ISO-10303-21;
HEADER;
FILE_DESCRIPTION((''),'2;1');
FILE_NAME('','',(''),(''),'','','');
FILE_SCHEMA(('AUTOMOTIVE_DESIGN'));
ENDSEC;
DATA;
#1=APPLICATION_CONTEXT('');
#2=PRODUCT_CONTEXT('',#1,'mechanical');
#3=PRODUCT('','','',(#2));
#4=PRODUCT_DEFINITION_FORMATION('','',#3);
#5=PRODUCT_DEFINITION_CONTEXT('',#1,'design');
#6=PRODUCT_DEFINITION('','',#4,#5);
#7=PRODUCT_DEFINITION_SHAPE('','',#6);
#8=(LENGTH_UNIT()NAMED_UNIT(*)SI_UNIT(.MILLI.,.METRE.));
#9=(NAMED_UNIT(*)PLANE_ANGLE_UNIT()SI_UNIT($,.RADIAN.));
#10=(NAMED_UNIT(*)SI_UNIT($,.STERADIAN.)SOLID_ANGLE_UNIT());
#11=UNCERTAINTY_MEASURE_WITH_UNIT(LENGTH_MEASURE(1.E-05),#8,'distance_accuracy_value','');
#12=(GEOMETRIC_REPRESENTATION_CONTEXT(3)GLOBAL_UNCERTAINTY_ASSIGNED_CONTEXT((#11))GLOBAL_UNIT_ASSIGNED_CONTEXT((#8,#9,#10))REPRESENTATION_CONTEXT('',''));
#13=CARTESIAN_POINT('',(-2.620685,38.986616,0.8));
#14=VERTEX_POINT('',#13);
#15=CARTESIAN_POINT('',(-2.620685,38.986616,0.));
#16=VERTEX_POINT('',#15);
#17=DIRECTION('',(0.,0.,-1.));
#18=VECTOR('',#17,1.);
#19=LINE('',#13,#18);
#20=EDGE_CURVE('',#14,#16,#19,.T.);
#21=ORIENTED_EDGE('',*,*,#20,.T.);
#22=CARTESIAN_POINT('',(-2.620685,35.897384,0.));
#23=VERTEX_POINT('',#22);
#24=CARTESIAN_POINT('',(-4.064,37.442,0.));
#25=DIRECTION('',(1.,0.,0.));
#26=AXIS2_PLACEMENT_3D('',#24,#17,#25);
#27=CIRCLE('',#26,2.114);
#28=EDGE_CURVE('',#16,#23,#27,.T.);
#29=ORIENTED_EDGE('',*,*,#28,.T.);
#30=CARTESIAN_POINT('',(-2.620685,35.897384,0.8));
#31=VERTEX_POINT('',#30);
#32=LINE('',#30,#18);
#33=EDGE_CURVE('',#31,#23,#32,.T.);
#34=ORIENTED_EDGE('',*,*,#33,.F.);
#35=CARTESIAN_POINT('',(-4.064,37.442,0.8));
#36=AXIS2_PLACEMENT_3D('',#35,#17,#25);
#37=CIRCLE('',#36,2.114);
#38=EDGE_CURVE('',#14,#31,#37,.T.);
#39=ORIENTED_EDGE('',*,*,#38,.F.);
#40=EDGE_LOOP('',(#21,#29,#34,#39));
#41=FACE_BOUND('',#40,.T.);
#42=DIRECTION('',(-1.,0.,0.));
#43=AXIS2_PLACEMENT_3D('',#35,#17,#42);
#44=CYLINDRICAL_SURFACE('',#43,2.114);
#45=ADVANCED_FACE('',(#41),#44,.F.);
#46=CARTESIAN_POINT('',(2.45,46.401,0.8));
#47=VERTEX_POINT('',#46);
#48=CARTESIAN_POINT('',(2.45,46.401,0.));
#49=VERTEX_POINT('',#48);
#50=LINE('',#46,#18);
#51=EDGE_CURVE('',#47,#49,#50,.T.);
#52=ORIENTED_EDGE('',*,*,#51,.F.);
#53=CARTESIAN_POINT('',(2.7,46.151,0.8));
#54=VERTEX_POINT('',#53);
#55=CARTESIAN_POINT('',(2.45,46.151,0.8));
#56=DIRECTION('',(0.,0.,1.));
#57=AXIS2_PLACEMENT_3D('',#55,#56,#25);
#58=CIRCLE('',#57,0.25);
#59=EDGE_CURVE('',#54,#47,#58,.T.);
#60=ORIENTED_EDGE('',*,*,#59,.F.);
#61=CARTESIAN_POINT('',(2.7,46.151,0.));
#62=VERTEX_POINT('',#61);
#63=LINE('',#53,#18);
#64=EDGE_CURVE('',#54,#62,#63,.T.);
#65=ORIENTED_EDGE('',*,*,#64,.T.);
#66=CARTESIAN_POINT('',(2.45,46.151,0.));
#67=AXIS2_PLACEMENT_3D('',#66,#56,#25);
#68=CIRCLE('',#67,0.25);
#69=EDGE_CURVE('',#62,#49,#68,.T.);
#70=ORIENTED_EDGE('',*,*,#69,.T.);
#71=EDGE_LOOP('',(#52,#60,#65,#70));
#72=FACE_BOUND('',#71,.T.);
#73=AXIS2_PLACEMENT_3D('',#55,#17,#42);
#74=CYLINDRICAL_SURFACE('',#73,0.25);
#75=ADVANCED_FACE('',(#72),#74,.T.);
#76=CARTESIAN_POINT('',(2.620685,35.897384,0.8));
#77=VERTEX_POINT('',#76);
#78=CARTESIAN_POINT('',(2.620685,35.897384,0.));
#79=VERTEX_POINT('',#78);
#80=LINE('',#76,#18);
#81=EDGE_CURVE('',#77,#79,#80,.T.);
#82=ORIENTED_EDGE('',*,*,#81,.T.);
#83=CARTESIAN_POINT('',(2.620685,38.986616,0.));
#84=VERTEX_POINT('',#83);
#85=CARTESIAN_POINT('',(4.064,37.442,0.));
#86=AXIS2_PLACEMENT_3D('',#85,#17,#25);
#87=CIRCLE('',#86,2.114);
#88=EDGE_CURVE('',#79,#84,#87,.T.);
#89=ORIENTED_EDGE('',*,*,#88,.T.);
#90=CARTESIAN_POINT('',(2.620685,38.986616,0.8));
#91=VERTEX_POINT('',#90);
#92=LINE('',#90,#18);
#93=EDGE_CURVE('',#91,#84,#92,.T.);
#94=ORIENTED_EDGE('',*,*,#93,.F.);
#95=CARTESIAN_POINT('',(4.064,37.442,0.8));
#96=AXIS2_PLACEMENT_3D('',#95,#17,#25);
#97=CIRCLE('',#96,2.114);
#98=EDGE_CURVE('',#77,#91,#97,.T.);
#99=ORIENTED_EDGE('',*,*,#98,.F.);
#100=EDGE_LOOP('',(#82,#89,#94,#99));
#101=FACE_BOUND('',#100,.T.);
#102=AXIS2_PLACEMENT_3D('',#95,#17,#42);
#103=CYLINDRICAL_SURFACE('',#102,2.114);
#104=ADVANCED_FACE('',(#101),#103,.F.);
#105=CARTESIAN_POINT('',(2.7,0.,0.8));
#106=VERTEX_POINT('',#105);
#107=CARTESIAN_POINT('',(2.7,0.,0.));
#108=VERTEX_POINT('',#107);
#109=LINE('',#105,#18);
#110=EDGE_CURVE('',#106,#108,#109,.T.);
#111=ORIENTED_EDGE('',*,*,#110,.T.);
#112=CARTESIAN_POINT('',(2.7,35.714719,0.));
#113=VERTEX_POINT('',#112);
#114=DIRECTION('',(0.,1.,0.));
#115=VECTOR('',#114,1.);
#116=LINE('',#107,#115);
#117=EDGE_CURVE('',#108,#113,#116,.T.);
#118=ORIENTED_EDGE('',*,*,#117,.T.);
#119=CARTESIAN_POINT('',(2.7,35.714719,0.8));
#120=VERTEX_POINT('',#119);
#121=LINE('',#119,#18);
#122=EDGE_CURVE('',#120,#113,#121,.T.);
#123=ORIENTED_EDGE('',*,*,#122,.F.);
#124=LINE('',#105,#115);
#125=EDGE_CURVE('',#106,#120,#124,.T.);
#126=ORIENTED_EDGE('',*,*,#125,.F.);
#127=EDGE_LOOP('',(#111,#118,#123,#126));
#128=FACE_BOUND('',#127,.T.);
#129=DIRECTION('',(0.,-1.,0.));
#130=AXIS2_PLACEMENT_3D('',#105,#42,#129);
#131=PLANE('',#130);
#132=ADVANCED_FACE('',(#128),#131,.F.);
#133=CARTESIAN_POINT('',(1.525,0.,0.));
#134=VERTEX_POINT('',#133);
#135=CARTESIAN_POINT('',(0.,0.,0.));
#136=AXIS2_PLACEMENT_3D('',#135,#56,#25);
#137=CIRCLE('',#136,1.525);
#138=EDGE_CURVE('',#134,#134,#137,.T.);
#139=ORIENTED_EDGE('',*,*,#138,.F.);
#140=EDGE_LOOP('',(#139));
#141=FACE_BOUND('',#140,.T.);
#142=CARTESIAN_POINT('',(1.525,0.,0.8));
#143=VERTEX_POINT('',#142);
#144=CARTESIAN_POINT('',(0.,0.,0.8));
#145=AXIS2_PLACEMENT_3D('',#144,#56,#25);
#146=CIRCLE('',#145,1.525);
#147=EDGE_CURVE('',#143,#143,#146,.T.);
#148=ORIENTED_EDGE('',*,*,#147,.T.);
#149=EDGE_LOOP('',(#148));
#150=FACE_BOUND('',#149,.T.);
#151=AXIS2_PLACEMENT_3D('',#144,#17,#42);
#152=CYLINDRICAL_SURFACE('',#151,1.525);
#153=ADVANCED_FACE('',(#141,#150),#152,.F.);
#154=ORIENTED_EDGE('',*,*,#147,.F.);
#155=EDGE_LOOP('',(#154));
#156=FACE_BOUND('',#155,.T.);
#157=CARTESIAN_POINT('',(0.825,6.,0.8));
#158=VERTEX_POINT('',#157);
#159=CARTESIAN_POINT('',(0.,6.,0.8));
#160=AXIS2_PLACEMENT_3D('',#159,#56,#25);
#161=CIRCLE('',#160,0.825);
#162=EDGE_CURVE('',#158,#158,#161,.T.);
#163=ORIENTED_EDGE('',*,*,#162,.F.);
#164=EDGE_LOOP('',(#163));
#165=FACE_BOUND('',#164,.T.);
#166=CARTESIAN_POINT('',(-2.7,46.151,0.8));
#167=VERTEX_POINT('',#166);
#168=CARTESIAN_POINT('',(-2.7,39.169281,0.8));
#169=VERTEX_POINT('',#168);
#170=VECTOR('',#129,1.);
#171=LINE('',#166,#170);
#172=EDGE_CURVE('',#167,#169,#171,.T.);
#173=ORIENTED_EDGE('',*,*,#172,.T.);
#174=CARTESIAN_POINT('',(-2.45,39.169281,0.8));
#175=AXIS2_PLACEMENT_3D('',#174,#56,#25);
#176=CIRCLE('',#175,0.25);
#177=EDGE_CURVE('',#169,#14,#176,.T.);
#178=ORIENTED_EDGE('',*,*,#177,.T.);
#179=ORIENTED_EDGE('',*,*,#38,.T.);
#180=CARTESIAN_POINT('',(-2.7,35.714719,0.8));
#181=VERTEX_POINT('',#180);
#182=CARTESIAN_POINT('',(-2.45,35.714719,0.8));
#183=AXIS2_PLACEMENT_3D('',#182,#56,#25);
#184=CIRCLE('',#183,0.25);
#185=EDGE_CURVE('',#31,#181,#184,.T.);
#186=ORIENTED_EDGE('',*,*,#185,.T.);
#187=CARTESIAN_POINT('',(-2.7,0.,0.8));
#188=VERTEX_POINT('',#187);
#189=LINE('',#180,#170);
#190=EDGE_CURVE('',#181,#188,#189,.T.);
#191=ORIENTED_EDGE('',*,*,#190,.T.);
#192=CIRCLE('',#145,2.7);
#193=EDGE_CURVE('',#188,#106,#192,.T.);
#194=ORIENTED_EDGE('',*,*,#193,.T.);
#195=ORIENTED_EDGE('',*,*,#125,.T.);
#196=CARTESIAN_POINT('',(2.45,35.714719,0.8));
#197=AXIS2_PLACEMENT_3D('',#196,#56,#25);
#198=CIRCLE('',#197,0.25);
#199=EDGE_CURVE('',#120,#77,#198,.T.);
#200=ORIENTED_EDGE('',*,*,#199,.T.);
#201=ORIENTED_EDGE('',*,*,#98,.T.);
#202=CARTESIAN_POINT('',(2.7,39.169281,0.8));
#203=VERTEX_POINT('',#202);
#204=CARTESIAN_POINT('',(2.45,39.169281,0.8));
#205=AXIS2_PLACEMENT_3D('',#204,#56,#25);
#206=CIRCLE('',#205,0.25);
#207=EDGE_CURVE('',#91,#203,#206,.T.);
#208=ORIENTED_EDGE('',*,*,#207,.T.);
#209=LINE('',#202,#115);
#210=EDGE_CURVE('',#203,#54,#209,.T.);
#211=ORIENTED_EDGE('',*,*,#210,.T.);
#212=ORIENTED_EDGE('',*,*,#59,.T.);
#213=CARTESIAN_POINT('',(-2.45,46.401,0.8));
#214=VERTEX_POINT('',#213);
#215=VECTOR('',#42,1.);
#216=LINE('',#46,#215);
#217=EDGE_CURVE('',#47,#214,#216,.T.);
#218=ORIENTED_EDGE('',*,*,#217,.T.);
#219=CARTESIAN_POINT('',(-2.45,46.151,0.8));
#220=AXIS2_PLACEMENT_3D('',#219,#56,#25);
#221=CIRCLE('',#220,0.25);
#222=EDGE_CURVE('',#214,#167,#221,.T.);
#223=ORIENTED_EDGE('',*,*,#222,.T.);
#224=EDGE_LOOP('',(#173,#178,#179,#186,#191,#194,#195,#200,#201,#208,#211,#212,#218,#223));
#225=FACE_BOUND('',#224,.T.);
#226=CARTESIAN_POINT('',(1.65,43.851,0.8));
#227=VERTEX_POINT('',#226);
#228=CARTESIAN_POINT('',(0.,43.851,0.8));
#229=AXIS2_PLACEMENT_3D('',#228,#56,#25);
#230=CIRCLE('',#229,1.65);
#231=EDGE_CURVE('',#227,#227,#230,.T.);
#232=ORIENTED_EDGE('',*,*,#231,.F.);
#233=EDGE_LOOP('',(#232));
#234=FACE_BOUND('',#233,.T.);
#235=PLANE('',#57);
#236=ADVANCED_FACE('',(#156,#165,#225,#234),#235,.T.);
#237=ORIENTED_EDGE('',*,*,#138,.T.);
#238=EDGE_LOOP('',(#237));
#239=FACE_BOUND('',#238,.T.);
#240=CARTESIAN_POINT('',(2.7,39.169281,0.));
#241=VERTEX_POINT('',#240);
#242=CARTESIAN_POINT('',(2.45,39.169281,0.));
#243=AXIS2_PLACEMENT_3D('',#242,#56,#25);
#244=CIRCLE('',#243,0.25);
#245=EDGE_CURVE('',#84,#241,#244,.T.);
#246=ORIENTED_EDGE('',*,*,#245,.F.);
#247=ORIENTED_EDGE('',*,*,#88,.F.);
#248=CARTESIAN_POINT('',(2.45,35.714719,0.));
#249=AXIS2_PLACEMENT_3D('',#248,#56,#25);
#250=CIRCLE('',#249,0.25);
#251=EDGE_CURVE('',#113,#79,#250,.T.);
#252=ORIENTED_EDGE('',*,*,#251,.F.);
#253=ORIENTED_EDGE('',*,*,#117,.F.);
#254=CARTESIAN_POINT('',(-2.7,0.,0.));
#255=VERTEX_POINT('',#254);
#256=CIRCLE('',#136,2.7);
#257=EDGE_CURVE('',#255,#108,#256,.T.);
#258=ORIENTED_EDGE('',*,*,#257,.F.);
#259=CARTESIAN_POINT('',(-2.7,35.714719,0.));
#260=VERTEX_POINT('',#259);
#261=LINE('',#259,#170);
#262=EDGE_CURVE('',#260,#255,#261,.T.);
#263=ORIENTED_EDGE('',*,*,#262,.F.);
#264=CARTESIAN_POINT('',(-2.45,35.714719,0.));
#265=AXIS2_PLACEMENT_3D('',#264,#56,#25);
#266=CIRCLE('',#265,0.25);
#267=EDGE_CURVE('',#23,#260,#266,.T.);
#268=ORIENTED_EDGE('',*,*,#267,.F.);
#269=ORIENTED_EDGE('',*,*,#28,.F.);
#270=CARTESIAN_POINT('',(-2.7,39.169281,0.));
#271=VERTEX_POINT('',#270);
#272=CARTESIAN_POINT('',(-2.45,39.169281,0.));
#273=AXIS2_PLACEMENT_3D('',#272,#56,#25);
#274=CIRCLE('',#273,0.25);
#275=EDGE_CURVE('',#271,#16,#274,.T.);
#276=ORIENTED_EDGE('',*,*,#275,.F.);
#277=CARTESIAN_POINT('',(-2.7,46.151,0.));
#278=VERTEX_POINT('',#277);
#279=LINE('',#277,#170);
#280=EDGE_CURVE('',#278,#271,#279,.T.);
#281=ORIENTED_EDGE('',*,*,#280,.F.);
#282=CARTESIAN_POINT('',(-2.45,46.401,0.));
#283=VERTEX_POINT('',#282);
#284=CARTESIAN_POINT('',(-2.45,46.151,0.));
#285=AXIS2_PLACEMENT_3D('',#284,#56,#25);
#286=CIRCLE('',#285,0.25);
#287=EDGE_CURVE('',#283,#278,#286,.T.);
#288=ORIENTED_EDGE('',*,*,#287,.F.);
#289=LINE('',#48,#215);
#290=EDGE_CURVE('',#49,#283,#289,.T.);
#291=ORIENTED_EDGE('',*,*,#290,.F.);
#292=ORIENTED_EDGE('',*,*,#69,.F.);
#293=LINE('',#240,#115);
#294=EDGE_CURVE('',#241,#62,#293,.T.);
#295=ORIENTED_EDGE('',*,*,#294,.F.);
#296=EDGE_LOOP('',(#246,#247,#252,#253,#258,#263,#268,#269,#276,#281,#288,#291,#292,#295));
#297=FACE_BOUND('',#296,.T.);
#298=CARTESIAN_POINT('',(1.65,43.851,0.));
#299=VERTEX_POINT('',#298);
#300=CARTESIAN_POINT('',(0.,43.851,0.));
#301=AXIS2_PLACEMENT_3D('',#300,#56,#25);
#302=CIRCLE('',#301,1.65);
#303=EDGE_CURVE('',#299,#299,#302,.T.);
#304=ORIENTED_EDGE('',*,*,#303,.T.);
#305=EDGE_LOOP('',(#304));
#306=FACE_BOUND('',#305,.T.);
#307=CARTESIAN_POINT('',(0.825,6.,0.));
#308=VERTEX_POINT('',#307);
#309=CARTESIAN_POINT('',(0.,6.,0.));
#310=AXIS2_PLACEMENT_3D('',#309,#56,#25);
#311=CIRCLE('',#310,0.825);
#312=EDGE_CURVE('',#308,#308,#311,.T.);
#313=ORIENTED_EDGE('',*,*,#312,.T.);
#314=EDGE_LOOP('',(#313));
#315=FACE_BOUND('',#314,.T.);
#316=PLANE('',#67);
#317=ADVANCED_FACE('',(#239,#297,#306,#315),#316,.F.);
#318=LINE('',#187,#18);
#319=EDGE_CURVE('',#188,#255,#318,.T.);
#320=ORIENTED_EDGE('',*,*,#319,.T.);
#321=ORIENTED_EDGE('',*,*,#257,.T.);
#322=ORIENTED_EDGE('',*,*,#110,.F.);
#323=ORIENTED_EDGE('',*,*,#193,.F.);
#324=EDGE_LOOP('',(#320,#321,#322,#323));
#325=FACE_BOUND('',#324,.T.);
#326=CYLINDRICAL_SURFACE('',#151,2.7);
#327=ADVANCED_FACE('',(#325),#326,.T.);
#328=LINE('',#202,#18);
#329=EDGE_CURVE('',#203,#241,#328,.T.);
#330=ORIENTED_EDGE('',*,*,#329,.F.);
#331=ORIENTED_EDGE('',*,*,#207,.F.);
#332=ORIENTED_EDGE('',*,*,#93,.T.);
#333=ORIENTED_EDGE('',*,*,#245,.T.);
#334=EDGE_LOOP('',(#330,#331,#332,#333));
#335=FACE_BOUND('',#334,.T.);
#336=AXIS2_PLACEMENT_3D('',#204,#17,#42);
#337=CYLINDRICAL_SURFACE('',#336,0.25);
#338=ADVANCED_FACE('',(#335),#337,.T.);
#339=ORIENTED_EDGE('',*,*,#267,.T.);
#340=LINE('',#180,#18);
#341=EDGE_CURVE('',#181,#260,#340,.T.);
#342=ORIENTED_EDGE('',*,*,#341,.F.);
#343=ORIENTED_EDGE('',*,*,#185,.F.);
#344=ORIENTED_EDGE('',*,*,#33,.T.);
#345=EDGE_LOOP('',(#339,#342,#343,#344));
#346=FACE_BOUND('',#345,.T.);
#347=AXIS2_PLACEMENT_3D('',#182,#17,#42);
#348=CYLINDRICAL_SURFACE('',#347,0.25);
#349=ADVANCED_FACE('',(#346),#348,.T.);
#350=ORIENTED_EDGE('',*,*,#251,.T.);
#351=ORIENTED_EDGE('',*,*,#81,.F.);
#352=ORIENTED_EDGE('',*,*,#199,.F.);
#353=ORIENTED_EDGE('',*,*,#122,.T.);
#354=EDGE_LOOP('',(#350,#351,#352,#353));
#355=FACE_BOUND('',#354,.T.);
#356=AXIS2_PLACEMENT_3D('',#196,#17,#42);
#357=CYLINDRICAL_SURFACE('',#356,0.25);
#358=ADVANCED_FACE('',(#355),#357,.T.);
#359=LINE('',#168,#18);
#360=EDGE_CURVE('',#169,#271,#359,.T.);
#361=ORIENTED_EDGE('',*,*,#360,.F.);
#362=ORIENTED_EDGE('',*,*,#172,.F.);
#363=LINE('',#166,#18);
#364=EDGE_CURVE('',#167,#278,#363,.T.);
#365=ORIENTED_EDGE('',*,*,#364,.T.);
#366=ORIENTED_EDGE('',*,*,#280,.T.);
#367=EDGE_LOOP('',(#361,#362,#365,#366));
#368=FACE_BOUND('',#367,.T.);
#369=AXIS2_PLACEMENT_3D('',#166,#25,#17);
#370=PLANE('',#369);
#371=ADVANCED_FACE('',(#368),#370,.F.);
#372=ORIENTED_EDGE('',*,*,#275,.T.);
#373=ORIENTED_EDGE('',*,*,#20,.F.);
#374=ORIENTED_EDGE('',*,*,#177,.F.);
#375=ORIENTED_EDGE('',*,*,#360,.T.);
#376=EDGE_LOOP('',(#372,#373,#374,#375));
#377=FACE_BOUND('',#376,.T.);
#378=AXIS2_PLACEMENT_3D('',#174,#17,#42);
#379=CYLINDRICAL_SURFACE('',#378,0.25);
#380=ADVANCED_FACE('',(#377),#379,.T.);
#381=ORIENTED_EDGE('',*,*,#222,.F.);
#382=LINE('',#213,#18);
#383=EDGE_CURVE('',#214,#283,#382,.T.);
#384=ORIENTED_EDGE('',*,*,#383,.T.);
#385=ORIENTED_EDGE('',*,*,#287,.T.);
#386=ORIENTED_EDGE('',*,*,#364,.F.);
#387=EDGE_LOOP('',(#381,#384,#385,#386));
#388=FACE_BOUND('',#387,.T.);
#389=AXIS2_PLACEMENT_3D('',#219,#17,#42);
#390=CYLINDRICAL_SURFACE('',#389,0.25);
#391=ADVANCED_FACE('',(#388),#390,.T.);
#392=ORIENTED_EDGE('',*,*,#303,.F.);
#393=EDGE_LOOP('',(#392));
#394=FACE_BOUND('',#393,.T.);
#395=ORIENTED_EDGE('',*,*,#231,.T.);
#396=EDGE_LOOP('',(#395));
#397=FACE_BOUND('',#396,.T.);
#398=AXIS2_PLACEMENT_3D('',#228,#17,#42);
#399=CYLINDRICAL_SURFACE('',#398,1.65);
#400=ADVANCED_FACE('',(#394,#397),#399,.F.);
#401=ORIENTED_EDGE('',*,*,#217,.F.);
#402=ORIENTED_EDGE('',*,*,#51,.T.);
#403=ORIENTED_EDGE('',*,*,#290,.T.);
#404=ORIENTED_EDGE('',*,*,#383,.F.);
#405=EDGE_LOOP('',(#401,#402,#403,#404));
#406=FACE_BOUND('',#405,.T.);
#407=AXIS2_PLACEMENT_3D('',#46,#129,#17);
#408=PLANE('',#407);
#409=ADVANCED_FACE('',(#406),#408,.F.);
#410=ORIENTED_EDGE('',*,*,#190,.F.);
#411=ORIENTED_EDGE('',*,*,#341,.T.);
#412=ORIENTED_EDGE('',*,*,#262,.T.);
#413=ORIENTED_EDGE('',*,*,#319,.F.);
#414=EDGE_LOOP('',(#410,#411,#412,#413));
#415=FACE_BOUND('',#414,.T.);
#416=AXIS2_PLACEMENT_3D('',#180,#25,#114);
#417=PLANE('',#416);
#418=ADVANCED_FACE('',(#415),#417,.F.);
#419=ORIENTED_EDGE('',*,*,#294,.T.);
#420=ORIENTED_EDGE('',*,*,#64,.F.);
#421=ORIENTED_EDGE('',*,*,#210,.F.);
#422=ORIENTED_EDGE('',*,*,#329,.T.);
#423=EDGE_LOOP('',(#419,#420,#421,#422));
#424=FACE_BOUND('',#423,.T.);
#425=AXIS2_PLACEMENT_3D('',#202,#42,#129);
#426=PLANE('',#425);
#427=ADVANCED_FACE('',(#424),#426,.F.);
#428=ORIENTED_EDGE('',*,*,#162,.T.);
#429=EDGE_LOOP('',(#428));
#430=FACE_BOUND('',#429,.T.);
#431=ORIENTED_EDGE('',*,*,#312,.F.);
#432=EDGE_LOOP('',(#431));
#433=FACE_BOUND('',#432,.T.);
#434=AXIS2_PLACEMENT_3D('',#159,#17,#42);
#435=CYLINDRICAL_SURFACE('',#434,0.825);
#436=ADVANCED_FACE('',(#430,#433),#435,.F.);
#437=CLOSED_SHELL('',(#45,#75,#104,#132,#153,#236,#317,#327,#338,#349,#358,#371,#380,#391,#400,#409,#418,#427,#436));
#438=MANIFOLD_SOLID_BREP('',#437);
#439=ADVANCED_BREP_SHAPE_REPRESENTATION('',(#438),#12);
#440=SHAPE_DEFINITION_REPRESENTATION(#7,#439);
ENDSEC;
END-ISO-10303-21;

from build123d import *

# Parameters (mm, degrees)
SKETCH_2_R      = 1.525
SKETCH_2_R_2    = 0.825
SKETCH_2_R_3    = 1.65
EXTRUDE_1_DEPTH = 0.8


with BuildPart() as part:
    # 草图2 → 凸台-拉伸1 (new body)
    with BuildSketch(Plane.XY):
        with BuildLine():
            Line((2.45, 46.401), (-2.45, 46.401))
            ThreePointArc((-2.45, 46.401), (-2.626776695, 46.327776695), (-2.7, 46.151))
            Line((-2.7, 46.151), (-2.7, 39.169281101))
            ThreePointArc((-2.7, 39.169281101), (-2.679315634, 39.069710321), (-2.620685279, 38.98661601))
            ThreePointArc((-2.620685279, 38.98661601), (-1.95, 37.442), (-2.620685279, 35.897383991))
            ThreePointArc((-2.620685279, 35.897383991), (-2.679315634, 35.814289679), (-2.7, 35.7147189))
            Line((-2.7, 35.7147189), (-2.7, 0))
            ThreePointArc((-2.7, 0), (0, -2.7), (2.7, 0))
            Line((2.7, 0), (2.7, 35.7147189))
            ThreePointArc((2.7, 35.7147189), (2.679315634, 35.814289679), (2.620685279, 35.897383991))
            ThreePointArc((2.620685279, 35.897383991), (1.95, 37.442), (2.620685279, 38.98661601))
            ThreePointArc((2.620685279, 38.98661601), (2.679315634, 39.069710321), (2.7, 39.169281101))
            Line((2.7, 39.169281101), (2.7, 46.151))
            ThreePointArc((2.7, 46.151), (2.626776695, 46.327776695), (2.45, 46.401))
        make_face()
        Circle(SKETCH_2_R, mode=Mode.SUBTRACT)
        with Locations((0, 6)):
            Circle(SKETCH_2_R_2, mode=Mode.SUBTRACT)
        with Locations((0, 43.851)):
            Circle(SKETCH_2_R_3, mode=Mode.SUBTRACT)
    extrude(amount=EXTRUDE_1_DEPTH)


solid = part.part
